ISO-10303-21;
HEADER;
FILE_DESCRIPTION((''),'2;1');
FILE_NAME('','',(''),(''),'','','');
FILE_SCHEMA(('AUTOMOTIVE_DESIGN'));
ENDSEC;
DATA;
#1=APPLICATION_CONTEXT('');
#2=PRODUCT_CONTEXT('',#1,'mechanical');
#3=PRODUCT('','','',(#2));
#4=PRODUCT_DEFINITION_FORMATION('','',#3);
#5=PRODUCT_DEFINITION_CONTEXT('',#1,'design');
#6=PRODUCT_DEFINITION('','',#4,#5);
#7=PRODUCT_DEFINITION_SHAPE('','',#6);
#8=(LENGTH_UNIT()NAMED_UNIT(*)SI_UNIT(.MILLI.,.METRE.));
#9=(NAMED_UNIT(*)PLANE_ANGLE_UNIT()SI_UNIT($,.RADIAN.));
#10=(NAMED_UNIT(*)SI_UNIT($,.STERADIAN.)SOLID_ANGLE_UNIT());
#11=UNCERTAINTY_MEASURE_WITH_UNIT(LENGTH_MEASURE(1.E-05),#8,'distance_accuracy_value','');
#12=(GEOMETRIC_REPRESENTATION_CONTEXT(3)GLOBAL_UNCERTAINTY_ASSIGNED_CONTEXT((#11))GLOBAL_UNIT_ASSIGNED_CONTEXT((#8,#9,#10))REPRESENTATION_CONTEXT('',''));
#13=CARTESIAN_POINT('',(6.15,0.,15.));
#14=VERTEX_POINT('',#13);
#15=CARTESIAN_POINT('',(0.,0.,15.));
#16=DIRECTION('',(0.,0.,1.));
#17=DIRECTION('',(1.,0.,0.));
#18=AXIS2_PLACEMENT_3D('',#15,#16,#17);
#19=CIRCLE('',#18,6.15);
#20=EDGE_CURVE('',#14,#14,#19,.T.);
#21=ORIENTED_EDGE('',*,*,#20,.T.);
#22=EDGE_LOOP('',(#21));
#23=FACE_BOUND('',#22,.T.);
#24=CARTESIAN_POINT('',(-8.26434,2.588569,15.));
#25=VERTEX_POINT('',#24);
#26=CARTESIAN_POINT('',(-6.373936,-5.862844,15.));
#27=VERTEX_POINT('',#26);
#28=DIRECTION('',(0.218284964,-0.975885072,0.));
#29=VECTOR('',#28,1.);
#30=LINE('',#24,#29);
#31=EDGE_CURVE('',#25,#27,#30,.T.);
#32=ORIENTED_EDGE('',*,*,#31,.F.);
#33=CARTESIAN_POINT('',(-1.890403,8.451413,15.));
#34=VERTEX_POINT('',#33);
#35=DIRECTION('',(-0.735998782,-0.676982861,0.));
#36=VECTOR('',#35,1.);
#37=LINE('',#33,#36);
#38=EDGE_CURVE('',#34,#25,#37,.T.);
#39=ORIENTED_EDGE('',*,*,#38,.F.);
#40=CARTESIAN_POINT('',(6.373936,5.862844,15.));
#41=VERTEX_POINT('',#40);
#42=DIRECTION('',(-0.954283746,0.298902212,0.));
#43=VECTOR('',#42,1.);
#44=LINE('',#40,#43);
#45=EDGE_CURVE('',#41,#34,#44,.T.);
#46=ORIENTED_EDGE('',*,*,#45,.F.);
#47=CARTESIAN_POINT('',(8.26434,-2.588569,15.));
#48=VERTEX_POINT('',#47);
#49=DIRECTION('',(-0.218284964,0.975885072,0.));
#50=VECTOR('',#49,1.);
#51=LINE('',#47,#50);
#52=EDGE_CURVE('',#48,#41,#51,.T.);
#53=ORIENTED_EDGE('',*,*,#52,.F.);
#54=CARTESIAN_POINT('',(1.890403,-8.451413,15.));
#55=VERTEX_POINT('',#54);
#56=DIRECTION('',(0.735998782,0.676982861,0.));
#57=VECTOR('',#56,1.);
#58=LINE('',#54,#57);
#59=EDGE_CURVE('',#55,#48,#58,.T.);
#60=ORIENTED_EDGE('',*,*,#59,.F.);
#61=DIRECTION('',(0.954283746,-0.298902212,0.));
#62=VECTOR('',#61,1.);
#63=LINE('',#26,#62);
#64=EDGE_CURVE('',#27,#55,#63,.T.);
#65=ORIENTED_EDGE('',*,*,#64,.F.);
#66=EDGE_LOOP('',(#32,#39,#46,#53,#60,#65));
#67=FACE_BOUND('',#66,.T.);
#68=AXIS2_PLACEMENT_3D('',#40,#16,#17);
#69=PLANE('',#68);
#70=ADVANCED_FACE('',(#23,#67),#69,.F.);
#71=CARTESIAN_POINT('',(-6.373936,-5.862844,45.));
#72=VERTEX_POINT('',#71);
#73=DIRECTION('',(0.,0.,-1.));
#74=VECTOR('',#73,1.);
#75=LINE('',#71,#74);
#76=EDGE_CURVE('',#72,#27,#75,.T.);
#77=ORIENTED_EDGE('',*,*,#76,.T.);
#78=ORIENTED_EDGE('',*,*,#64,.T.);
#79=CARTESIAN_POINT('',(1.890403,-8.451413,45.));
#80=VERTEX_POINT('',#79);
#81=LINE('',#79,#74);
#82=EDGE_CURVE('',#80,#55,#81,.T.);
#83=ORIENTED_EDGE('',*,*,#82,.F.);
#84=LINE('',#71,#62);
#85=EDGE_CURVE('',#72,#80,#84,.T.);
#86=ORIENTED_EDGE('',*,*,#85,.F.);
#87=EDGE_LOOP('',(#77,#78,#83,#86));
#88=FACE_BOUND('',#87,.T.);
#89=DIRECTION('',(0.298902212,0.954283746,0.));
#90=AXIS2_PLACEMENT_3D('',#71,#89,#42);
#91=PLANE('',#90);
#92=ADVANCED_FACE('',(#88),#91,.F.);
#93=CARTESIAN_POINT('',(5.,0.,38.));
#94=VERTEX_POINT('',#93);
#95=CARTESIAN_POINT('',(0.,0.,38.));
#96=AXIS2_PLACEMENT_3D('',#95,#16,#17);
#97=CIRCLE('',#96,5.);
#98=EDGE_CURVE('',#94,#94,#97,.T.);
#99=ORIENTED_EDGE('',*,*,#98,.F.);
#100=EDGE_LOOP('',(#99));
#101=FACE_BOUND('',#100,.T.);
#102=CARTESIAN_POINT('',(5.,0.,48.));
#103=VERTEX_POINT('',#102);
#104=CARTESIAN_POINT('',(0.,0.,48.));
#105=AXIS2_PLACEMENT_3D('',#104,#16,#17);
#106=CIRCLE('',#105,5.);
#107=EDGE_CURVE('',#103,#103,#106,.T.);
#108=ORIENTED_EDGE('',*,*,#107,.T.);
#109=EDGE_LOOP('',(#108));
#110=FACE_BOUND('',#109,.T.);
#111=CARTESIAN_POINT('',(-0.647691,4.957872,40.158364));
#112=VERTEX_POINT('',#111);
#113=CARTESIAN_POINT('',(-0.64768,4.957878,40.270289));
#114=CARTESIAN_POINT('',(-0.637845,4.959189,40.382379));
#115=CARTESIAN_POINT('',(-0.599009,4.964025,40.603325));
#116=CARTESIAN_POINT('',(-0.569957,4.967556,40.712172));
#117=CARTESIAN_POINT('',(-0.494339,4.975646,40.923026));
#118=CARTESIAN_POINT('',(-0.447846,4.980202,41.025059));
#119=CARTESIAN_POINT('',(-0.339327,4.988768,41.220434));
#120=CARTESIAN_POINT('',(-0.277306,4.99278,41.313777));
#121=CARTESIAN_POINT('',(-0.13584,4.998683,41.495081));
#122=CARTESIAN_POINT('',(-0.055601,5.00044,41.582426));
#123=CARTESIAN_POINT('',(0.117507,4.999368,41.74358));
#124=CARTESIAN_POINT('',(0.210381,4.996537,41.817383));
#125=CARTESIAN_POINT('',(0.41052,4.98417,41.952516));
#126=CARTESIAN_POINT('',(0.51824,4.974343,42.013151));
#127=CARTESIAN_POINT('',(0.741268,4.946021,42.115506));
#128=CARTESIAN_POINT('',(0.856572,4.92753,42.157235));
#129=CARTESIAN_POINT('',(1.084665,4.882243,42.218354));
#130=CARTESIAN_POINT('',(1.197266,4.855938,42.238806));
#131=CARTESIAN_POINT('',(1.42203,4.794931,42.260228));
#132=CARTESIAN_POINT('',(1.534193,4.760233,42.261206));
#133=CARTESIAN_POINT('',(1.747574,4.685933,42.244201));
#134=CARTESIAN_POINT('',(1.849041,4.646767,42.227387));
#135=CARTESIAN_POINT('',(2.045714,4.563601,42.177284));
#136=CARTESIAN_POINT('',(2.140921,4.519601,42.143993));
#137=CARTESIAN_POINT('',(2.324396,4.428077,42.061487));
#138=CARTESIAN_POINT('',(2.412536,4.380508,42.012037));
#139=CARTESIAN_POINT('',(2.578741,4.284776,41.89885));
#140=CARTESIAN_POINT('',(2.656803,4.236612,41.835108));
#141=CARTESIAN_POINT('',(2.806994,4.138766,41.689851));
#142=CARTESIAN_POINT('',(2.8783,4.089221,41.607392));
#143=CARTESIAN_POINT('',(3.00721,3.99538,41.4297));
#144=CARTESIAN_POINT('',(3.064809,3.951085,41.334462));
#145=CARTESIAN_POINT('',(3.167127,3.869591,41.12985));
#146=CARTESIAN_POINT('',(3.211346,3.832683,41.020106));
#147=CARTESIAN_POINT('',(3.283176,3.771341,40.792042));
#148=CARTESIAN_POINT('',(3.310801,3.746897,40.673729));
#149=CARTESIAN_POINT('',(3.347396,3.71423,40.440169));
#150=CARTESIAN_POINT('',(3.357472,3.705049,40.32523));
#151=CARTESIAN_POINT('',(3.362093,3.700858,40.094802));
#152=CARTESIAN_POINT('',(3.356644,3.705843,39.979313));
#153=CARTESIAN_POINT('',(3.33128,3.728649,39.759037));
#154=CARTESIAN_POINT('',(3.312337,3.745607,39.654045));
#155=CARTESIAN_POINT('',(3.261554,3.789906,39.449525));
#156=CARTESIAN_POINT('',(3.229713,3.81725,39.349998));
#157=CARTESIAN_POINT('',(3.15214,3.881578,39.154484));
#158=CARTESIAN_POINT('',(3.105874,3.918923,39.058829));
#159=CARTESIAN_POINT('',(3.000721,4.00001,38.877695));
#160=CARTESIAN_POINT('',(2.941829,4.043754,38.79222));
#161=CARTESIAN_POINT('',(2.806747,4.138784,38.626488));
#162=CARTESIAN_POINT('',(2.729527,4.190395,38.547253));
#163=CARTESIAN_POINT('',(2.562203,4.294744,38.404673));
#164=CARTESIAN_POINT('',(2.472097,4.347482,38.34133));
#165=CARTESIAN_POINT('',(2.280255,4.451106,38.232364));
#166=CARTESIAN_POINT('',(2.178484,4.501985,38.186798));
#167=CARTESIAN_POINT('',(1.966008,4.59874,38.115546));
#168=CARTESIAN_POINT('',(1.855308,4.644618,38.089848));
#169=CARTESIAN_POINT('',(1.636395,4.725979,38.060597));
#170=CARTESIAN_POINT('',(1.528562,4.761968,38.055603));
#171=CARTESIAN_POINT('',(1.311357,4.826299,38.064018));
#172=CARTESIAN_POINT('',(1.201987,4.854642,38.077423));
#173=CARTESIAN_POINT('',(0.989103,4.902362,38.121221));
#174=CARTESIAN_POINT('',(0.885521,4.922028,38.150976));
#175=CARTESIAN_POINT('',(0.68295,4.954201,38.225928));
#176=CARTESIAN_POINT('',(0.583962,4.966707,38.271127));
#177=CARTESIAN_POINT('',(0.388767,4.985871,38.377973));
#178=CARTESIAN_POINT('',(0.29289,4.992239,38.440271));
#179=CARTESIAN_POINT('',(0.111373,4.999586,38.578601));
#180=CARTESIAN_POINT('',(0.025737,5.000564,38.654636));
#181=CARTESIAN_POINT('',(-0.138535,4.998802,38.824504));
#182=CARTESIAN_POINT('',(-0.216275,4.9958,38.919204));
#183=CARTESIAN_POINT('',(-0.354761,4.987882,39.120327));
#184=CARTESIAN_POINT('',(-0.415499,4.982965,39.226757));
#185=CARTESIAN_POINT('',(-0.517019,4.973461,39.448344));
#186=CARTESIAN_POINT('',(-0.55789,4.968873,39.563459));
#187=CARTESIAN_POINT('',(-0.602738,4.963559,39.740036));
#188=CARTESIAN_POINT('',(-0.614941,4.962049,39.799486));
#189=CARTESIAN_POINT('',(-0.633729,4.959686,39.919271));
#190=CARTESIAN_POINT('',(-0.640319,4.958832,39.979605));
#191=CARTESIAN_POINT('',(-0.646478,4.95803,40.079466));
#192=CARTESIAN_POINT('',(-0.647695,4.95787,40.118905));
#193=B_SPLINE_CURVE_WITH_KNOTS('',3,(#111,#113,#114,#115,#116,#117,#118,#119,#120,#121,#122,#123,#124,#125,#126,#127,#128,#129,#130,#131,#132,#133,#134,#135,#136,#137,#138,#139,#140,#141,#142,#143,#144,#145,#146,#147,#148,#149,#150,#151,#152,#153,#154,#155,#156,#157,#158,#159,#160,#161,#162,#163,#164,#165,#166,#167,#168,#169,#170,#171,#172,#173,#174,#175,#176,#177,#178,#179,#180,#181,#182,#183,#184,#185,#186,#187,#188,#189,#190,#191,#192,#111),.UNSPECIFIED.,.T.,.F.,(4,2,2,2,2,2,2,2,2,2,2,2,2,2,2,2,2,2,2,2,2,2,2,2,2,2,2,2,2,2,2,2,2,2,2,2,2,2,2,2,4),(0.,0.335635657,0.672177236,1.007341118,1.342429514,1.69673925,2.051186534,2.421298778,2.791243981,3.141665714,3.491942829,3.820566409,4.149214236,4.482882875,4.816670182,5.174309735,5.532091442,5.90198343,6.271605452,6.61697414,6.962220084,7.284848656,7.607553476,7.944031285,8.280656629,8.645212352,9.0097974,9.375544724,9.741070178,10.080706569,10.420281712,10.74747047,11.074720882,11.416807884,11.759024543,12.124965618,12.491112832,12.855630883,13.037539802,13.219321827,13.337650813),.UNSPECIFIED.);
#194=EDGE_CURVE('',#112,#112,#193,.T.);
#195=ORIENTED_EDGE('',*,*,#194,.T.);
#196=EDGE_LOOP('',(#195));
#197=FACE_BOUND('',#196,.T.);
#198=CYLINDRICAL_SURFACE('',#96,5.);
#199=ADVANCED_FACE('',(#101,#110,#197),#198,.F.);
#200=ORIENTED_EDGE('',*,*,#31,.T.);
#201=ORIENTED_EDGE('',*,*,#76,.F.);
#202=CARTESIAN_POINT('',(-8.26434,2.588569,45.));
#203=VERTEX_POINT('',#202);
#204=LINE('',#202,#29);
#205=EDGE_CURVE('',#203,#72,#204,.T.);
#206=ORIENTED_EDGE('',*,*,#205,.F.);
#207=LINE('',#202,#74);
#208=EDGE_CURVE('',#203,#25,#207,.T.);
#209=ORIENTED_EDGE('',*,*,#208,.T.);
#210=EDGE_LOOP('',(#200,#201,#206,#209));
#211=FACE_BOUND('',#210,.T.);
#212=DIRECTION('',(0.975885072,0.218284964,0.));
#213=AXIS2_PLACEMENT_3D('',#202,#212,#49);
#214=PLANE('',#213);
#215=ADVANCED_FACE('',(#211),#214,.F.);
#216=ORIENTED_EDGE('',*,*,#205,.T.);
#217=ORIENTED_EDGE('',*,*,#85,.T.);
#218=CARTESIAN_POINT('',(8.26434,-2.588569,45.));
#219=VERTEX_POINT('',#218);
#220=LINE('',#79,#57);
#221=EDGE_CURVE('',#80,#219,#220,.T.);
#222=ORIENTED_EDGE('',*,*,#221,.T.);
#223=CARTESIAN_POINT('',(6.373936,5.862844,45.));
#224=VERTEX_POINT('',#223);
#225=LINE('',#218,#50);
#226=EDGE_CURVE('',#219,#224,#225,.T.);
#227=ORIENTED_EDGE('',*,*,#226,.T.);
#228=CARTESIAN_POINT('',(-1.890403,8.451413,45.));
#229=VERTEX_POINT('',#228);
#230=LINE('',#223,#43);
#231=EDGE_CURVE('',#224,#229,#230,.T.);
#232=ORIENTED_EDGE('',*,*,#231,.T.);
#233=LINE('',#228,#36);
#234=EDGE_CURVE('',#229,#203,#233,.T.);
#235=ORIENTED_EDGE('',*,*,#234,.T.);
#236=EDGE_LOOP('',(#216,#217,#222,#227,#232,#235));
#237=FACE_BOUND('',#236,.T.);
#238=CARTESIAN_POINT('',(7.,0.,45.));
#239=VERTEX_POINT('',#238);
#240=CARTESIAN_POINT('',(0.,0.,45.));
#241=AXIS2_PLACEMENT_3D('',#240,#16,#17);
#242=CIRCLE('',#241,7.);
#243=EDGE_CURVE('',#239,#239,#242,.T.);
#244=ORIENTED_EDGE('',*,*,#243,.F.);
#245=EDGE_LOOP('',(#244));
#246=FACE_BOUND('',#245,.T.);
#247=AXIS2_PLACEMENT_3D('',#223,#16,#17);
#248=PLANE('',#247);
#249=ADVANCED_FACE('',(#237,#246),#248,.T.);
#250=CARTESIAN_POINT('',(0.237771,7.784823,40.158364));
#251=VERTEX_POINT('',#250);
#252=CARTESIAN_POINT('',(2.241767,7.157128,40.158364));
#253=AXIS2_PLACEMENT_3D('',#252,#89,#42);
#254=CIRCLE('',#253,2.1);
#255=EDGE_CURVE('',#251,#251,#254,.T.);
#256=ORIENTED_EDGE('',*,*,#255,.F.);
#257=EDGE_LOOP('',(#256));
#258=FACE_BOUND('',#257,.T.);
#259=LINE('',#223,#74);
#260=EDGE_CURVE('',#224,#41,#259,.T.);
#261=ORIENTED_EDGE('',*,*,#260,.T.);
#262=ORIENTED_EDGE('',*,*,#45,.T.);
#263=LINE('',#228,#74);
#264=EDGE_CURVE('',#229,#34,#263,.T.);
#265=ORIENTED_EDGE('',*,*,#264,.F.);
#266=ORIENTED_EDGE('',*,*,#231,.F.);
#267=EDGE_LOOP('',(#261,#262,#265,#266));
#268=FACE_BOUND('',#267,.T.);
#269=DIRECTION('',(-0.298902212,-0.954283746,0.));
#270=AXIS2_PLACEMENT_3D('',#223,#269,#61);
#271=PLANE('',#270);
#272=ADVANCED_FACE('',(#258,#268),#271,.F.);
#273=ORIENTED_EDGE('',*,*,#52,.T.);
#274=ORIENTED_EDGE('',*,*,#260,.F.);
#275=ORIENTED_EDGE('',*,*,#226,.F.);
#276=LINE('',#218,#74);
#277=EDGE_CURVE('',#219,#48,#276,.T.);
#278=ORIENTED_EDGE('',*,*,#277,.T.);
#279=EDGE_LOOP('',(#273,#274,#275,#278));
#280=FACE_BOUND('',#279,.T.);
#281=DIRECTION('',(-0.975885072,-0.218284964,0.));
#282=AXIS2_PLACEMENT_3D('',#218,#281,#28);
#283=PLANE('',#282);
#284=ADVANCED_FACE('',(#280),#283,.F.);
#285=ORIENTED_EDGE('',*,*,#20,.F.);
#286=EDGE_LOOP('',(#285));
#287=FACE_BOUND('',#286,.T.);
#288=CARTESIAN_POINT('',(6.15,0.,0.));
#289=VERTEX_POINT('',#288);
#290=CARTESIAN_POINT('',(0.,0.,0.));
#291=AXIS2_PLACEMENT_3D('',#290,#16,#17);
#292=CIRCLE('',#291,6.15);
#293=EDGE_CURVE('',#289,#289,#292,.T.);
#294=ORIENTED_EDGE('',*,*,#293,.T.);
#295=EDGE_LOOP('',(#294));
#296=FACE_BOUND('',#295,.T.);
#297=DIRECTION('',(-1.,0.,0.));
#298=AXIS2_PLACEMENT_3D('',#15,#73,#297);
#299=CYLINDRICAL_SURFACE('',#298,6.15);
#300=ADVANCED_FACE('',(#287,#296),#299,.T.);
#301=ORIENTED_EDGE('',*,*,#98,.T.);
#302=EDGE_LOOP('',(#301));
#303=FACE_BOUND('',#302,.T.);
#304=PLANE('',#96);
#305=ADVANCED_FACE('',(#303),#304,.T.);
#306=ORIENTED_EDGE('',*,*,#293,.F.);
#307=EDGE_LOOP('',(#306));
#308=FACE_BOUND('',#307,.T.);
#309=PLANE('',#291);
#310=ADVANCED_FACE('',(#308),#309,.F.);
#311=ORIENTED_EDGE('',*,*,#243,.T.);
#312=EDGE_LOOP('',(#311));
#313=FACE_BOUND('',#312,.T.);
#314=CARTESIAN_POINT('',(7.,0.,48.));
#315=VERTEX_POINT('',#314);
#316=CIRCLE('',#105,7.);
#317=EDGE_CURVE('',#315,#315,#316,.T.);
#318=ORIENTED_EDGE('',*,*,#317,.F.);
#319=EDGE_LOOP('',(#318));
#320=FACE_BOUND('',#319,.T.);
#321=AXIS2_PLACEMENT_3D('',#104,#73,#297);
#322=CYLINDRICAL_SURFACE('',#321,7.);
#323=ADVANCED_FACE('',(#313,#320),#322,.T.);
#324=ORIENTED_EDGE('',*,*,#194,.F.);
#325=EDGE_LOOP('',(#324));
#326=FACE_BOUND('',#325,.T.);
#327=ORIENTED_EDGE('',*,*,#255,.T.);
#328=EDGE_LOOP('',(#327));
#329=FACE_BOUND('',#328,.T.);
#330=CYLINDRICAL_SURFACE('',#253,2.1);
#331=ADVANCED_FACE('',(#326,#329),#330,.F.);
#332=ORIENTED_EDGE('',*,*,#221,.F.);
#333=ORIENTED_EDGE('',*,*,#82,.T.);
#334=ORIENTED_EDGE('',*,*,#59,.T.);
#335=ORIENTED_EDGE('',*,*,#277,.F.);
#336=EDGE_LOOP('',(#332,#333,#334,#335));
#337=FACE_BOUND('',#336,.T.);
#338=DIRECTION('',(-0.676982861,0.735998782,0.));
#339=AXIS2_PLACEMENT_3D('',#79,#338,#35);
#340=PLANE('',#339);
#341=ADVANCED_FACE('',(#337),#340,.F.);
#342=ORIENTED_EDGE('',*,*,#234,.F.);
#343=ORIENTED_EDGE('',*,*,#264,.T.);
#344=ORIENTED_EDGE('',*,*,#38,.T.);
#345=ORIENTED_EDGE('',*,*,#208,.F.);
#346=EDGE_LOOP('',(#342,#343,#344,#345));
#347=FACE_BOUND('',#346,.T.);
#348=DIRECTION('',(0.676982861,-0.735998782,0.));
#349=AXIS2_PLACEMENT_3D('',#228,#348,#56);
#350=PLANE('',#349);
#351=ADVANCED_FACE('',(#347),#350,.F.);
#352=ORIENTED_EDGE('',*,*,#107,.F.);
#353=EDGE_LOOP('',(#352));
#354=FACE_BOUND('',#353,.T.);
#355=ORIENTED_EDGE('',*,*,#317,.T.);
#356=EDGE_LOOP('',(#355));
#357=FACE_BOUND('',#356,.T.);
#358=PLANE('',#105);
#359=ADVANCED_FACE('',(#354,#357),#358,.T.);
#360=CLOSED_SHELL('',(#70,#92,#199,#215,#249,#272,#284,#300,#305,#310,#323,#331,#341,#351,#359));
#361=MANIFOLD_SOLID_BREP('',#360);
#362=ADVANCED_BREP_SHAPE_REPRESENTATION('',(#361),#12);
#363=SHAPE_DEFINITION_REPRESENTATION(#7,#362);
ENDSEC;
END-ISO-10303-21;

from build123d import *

# Parameters (mm, degrees)
SKETCH_1_R          = 6.15
EXTRUDE_1_DEPTH     = 15
EXTRUDE_2_DEPTH     = 30
SKETCH_3_R          = 7
EXTRUDE_3_DEPTH     = 3
SKETCH_4_R          = 5
CUT_EXTRUDE_1_DEPTH = 10
M5X0_8_1_REACH      = 53.556
M5X0_8_1_BORE_R     = 2.1


with BuildPart() as part:
    # 草图1 → 凸台-拉伸1 (new body)
    with BuildSketch(Plane.XY):
        Circle(SKETCH_1_R)
    extrude(amount=EXTRUDE_1_DEPTH)

    # 草图2 → 凸台-拉伸2 (add)
    with BuildSketch(Plane.XY.offset(15)):
        Polygon((6.373936419, 5.862843552), (-1.890403245, 8.451412638), (-8.264339665, 2.588569085), (-6.373936419, -5.862843552), (1.890403245, -8.451412638), (8.264339665, -2.588569085), align=None)
    extrude(amount=EXTRUDE_2_DEPTH)

    # 草图3 → 凸台-拉伸3 (add)
    with BuildSketch(Plane.XY.offset(45)):
        Circle(SKETCH_3_R)
    extrude(amount=EXTRUDE_3_DEPTH)

    # 草图4 → 切除-拉伸1 (cut)
    with BuildSketch(Plane.XY.offset(48)):
        Circle(SKETCH_4_R)
    extrude(amount=-CUT_EXTRUDE_1_DEPTH, mode=Mode.SUBTRACT)

    # M5x0.8 螺纹孔1 bore → M5x0.8 螺纹孔1 (cut, up to next)
    with BuildSketch(Plane(origin=(2.241766587, 7.157128095, 0), x_dir=(-0.9542837460036324, 0.2989022116232579, 0), z_dir=(0.2989022116232579, 0.9542837460036325, 0)), mode=Mode.PRIVATE) as m5x0_8_1_sk1:
        with Locations((0, 40.158364076)):
            Circle(M5X0_8_1_BORE_R)
    m5x0_8_1_tool1 = extrude(m5x0_8_1_sk1.sketch, amount=-M5X0_8_1_REACH, mode=Mode.PRIVATE) & part.part
    add(m5x0_8_1_tool1.solids().sort_by_distance((2.241767, 7.157128, 40.158364))[0], mode=Mode.SUBTRACT)


solid = part.part
